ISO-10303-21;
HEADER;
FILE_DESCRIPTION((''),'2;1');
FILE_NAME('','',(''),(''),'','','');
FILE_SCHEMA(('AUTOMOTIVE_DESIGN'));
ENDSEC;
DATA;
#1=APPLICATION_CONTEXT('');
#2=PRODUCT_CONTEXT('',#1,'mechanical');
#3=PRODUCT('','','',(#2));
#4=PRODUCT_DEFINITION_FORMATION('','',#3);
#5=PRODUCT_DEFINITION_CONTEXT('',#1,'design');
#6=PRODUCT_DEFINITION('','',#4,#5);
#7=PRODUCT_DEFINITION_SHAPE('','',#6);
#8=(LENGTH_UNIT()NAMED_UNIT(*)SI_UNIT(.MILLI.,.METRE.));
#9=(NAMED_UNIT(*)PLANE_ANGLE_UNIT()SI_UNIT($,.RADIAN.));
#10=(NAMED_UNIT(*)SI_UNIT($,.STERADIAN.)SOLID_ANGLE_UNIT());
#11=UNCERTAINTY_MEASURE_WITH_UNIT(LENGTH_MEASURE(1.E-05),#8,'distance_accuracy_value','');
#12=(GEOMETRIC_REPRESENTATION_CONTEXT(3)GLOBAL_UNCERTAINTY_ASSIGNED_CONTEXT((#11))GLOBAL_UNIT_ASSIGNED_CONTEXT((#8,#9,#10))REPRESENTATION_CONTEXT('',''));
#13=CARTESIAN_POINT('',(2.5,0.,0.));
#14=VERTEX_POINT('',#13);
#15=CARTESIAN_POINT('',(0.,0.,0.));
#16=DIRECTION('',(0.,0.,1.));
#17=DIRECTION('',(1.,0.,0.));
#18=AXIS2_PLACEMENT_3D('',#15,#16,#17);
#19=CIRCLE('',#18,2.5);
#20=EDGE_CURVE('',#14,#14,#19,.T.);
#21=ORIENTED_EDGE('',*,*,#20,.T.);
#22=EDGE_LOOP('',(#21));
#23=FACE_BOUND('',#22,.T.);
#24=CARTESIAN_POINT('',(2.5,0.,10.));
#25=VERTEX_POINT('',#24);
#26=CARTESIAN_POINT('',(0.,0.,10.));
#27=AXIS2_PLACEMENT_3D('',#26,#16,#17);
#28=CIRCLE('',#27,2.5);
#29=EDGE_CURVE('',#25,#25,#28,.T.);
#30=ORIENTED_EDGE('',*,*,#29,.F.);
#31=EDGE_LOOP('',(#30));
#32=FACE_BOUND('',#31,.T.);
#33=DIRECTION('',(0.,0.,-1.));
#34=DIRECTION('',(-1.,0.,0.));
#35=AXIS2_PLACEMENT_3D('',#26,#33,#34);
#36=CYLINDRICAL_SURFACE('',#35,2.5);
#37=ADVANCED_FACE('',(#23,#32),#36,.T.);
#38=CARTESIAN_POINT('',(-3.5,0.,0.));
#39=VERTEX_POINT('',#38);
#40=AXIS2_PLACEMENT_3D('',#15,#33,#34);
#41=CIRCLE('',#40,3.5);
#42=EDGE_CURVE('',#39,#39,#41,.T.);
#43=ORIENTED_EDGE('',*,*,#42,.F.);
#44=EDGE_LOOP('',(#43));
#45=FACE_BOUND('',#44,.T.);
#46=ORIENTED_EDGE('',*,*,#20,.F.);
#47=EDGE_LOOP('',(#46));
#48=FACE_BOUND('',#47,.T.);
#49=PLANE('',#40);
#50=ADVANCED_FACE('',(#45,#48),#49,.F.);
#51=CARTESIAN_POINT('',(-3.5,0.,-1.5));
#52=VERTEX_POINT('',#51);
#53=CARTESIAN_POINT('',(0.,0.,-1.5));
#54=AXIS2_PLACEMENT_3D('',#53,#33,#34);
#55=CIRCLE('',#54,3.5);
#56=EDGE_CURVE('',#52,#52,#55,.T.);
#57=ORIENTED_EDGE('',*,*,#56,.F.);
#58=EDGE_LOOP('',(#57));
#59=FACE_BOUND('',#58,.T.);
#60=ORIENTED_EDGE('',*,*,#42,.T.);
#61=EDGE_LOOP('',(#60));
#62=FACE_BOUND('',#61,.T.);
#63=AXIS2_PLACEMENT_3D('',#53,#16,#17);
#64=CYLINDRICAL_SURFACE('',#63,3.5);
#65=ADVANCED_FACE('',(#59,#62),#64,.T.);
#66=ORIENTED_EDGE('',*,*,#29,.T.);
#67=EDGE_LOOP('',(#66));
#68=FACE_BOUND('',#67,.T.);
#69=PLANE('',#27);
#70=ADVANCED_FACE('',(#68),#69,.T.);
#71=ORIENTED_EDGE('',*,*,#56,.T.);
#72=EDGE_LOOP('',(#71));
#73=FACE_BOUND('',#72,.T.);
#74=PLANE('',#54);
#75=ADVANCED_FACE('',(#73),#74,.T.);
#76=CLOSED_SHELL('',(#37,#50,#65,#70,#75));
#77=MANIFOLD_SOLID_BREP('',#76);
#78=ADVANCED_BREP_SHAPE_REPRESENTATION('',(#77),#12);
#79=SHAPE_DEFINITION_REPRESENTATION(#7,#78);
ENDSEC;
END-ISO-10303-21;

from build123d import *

# Parameters (mm, degrees)
SKETCH2_R           = 2.5
BOSS_EXTRUDE1_DEPTH = 10
SKETCH3_R           = 3.5
BOSS_EXTRUDE2_DEPTH = 1.5


with BuildPart() as part:
    # Sketch2 → Boss-Extrude1 (new body)
    with BuildSketch(Plane.XY):
        Circle(SKETCH2_R)
    extrude(amount=BOSS_EXTRUDE1_DEPTH)

    # Sketch3 → Boss-Extrude2 (add)
    with BuildSketch(Plane(origin=(0, 0, 0), x_dir=(-1, 0, 0), z_dir=(0, 0, -1))):
        Circle(SKETCH3_R)
    extrude(amount=BOSS_EXTRUDE2_DEPTH)


solid = part.part
